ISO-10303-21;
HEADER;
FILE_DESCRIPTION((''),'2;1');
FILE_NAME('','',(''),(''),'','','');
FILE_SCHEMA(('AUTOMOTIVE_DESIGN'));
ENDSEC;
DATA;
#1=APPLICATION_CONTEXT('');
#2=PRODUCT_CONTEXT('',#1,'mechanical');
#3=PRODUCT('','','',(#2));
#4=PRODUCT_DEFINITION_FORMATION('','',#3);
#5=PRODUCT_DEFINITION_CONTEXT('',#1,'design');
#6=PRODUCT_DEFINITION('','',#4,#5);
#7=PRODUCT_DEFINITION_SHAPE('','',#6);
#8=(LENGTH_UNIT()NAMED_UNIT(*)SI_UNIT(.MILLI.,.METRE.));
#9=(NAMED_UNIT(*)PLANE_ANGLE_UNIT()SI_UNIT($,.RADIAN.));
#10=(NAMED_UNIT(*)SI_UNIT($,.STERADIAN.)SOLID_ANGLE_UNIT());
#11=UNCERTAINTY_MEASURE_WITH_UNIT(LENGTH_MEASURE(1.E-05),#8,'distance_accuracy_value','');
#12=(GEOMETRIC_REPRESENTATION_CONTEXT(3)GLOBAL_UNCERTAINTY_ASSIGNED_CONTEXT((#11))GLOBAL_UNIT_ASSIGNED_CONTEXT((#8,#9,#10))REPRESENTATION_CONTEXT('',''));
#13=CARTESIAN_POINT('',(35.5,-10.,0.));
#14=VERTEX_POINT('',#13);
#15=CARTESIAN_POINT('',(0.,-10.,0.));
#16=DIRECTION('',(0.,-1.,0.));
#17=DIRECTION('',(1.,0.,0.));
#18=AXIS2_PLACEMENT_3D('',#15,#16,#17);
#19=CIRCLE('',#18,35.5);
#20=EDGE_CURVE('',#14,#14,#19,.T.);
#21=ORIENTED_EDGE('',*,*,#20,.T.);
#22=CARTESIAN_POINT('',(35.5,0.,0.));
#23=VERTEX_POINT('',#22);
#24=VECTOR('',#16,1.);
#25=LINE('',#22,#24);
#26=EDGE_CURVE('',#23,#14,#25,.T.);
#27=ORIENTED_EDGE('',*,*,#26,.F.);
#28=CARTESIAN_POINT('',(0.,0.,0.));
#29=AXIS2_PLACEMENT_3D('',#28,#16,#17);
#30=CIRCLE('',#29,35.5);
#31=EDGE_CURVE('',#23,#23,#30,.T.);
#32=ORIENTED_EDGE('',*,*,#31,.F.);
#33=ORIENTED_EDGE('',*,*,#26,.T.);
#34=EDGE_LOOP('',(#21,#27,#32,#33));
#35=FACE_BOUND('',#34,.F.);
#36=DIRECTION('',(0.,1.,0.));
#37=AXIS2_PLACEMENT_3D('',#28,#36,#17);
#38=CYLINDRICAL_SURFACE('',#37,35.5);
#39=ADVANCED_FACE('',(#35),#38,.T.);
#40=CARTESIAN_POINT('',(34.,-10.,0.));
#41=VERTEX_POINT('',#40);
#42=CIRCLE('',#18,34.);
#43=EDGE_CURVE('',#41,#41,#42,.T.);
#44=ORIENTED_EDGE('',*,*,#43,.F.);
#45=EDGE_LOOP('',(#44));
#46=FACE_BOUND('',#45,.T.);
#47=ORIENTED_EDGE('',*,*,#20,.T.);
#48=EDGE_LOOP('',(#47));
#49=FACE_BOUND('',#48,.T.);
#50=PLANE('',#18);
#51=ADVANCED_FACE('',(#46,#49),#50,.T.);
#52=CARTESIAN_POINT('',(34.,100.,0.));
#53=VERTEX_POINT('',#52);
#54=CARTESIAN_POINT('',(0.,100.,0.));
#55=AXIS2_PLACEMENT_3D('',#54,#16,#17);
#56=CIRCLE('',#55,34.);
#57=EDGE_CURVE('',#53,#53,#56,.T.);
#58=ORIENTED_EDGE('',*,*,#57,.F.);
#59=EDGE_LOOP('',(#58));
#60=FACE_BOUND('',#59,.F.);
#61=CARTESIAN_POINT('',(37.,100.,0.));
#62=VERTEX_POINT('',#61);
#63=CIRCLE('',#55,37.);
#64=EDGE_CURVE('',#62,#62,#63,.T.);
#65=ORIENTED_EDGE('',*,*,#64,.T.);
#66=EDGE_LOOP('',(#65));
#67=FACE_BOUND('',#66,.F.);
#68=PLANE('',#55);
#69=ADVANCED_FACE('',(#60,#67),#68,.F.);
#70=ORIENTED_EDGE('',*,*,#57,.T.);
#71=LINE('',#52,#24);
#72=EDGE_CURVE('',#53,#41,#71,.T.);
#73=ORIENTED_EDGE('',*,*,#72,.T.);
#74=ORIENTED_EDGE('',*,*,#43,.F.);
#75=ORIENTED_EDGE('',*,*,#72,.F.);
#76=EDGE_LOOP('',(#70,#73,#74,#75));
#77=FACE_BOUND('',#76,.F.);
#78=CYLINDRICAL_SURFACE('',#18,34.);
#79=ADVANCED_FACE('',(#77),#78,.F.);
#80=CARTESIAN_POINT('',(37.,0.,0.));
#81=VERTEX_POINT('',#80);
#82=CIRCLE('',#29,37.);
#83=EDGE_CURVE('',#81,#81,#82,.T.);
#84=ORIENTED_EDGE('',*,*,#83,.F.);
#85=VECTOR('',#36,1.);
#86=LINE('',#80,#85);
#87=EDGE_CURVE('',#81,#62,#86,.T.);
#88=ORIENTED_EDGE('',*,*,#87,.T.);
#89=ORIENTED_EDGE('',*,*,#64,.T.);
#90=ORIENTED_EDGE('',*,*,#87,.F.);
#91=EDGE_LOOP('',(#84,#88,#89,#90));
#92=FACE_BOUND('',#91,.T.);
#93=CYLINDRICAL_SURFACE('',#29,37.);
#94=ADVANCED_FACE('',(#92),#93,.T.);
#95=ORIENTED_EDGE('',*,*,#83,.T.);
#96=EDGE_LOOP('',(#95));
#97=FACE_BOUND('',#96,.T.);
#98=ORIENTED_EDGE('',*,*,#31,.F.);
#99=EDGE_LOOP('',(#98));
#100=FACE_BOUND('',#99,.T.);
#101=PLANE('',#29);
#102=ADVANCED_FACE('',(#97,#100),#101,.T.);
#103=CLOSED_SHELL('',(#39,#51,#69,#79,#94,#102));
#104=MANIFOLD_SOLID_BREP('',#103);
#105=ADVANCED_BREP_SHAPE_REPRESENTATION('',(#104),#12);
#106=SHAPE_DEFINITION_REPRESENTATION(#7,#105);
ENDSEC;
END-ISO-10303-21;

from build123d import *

# Parameters (mm, degrees)
F0_R     = 37
F0_R_2   = 34
F1_DEPTH = 100
F2_R     = 35.5
F3_DEPTH = 10
F4_R     = 34
F5_DEPTH = 25


with BuildPart() as f1:
    # F0 (on Front) → F1 (new body)
    with BuildSketch(Plane.XZ):
        Circle(F0_R)
        Circle(F0_R_2, mode=Mode.SUBTRACT)
    extrude(amount=-F1_DEPTH)

    # F2 (on Front) → F3 (join)
    with BuildSketch(Plane.XZ):
        Circle(F2_R)
    extrude(amount=F3_DEPTH)

    # F4 (on face) → F5 (cut)
    with BuildSketch(Plane.XZ.offset(10)):
        Circle(F4_R)
    extrude(amount=-F5_DEPTH, mode=Mode.SUBTRACT)


solid = f1.part
